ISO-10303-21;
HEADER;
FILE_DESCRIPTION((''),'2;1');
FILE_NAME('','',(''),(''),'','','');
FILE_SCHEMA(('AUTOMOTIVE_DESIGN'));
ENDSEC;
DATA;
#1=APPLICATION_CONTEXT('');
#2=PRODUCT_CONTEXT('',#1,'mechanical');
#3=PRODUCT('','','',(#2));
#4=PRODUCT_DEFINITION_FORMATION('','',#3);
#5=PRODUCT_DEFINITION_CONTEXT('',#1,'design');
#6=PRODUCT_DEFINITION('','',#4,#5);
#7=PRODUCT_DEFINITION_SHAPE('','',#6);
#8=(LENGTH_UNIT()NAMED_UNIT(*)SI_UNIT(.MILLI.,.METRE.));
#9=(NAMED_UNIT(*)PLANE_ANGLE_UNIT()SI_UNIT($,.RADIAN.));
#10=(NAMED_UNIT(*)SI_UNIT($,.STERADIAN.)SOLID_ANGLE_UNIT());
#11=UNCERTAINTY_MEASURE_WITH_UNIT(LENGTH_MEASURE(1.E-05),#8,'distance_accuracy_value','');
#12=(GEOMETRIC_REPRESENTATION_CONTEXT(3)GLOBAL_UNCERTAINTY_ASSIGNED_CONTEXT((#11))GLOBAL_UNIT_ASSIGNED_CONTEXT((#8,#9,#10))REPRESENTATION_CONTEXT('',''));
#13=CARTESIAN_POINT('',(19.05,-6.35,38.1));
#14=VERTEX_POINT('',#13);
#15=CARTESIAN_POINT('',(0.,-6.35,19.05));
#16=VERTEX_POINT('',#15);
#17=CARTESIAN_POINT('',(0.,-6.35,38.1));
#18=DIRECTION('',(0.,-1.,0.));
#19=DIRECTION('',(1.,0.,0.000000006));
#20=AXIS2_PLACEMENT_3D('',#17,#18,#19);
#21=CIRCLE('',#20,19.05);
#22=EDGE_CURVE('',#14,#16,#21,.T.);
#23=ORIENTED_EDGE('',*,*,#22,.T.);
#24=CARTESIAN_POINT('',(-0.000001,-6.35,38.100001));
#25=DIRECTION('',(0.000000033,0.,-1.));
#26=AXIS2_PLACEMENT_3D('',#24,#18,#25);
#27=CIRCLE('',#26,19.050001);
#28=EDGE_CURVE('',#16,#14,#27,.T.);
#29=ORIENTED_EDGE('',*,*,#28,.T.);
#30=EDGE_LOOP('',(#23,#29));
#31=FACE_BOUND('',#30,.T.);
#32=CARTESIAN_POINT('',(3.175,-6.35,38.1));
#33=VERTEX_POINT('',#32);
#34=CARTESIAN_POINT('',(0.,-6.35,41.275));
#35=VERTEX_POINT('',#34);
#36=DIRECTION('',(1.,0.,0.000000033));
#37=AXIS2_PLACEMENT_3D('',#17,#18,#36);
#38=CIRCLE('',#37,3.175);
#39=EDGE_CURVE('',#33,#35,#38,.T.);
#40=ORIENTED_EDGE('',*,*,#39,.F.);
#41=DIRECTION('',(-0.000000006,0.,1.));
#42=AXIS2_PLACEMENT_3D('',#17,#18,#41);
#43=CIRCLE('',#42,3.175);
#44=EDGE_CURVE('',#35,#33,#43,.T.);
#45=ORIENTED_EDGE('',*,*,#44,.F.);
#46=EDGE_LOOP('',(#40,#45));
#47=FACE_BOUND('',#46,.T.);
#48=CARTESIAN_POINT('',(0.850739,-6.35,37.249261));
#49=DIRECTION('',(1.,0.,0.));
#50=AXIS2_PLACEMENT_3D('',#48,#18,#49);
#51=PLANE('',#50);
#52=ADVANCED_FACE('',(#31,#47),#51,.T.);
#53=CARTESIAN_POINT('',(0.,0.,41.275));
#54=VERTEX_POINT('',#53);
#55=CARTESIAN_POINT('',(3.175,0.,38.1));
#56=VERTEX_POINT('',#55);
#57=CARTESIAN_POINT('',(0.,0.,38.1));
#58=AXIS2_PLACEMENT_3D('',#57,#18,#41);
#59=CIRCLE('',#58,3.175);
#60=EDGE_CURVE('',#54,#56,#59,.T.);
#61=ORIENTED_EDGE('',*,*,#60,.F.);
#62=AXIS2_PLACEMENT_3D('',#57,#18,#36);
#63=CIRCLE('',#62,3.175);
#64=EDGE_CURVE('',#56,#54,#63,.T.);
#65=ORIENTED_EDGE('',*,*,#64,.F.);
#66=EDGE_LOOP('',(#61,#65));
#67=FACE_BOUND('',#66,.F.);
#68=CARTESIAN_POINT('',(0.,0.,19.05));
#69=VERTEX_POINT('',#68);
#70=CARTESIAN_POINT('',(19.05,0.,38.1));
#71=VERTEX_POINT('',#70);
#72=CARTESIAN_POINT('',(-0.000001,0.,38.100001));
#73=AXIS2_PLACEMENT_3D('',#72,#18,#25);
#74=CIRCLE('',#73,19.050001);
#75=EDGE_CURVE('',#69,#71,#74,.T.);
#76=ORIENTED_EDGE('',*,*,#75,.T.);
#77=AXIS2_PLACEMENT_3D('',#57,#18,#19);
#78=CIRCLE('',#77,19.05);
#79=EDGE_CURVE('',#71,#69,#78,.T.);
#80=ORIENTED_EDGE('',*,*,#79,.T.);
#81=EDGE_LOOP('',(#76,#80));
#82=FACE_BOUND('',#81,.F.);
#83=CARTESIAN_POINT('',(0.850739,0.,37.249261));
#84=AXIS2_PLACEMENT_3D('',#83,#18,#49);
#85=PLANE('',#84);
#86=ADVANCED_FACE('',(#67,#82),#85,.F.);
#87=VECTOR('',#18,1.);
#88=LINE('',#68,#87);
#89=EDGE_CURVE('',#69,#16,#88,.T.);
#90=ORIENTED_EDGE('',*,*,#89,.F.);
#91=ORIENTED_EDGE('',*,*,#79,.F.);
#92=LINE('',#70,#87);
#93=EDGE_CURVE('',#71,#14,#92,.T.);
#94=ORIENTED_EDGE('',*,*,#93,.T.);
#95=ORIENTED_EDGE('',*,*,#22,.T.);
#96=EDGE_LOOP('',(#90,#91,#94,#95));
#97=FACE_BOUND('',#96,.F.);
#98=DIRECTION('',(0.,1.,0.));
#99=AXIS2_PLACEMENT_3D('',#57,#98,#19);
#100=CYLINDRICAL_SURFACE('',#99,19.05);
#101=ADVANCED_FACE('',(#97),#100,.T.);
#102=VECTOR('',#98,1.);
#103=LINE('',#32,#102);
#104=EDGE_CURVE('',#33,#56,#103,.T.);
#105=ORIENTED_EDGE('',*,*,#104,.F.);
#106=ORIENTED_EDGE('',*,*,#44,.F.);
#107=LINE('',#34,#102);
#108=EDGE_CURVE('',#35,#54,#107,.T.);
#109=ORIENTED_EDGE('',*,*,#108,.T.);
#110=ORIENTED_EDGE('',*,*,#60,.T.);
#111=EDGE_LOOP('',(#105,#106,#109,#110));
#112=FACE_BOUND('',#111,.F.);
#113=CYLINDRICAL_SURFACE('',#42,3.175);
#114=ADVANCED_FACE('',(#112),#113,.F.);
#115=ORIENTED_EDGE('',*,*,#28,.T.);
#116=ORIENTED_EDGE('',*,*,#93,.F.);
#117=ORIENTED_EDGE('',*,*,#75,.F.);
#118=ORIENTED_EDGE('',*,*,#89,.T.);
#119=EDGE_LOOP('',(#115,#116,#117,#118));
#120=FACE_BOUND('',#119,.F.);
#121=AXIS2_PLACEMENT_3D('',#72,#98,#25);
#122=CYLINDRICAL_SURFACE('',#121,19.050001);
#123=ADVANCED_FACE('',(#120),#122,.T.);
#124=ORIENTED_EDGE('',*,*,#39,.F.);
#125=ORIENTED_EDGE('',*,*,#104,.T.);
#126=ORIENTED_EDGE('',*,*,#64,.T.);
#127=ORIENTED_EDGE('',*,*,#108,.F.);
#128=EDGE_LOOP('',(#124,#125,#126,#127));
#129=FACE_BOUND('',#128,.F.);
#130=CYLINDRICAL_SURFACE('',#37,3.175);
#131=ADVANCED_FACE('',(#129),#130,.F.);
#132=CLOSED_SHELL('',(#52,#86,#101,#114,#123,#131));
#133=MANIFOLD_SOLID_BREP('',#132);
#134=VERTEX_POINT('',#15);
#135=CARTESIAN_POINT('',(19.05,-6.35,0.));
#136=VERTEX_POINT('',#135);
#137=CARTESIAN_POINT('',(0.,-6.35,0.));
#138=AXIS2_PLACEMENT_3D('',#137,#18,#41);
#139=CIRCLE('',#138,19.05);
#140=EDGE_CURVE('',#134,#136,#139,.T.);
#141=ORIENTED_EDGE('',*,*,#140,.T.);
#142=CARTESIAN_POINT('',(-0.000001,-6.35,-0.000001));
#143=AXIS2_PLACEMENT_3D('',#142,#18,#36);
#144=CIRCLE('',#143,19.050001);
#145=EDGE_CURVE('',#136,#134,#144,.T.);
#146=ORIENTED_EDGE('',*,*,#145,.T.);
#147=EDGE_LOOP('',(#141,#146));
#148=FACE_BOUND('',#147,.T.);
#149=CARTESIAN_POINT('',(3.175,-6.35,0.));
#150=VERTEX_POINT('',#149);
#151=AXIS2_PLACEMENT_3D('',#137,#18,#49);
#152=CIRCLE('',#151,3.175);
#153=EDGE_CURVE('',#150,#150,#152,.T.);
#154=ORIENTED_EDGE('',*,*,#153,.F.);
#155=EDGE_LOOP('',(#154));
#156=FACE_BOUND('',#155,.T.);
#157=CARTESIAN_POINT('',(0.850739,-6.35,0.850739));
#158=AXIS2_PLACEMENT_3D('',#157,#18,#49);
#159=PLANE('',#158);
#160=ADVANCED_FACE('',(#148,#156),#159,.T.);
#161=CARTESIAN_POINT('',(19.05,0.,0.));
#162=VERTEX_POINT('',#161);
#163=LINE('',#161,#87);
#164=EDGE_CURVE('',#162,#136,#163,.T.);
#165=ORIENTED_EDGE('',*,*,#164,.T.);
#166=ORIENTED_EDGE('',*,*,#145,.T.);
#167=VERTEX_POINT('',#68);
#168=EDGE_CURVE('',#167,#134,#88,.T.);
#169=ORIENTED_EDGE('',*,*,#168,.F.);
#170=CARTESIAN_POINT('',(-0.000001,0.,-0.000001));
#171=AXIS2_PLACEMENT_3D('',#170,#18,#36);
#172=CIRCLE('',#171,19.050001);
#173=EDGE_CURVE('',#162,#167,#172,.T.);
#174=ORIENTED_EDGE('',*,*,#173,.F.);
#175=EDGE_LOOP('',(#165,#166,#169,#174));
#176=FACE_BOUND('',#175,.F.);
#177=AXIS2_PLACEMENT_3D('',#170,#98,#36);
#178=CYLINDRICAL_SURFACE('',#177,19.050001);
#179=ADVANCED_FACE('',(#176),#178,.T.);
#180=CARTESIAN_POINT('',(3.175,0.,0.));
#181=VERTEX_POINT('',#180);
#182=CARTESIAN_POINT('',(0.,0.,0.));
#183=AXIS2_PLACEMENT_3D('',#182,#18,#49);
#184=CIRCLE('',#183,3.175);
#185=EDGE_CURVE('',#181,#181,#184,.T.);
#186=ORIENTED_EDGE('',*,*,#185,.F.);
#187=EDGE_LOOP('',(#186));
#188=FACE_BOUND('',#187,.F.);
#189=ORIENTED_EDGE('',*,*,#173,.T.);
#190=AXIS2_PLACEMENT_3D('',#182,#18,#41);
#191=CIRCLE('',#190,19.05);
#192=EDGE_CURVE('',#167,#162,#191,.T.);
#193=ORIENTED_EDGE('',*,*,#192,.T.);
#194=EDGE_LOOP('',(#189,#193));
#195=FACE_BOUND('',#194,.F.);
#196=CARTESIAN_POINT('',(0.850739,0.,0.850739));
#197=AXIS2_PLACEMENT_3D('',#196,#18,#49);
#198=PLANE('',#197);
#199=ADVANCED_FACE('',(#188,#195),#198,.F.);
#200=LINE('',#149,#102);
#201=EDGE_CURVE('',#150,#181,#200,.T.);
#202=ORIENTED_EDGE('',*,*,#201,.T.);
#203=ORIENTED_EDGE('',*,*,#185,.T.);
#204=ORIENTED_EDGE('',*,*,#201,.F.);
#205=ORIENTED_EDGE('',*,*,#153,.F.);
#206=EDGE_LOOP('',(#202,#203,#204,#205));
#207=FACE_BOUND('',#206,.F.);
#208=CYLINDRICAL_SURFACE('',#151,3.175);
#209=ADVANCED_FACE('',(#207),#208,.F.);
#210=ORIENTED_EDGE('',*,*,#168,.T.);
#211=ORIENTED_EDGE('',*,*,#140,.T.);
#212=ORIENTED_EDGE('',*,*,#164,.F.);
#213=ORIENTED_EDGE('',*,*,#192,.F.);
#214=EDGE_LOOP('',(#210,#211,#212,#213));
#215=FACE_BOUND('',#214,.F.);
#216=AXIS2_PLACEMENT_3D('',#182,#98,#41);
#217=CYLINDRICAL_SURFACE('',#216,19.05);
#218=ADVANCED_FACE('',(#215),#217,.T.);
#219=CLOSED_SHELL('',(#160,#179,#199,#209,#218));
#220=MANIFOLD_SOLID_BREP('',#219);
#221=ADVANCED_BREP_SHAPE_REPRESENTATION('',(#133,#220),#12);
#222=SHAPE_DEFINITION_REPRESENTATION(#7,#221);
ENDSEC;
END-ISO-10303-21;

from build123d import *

# Parameters (mm, degrees)
F1_DEPTH = 6.35
F2_R     = 3.175
F4_DEPTH = 6.35


with BuildPart() as f1:
    # F0 (on Front) → F1 (new body)
    with BuildSketch(Plane.XZ):
        with BuildLine():
            ThreePointArc((0, 19.05), (-13.470384, -13.470384), (19.05, 0))
            ThreePointArc((19.05, 0), (13.470384, 13.470384), (0, 19.05))
        make_face()
        with BuildLine():
            ThreePointArc((19.05, 38.1), (-13.470384, 51.570384), (0, 19.05))
            ThreePointArc((0, 19.05), (13.470384, 24.629616), (19.05, 38.1))
        make_face()
    extrude(amount=F1_DEPTH)

    # F3 (on face) + F2 (on face) → F4 (cut)
    with BuildSketch(Plane.XZ.offset(6.35)):
        with BuildLine():
            ThreePointArc((3.175, 38.1), (2.245064, 40.345064), (0, 41.275))
            ThreePointArc((0, 41.275), (-2.245064, 35.854936), (3.175, 38.1))
        make_face()
    with BuildSketch(Plane.XZ.offset(6.35)):
        Circle(F2_R)
    extrude(amount=-F4_DEPTH, mode=Mode.SUBTRACT)


solid = f1.part
